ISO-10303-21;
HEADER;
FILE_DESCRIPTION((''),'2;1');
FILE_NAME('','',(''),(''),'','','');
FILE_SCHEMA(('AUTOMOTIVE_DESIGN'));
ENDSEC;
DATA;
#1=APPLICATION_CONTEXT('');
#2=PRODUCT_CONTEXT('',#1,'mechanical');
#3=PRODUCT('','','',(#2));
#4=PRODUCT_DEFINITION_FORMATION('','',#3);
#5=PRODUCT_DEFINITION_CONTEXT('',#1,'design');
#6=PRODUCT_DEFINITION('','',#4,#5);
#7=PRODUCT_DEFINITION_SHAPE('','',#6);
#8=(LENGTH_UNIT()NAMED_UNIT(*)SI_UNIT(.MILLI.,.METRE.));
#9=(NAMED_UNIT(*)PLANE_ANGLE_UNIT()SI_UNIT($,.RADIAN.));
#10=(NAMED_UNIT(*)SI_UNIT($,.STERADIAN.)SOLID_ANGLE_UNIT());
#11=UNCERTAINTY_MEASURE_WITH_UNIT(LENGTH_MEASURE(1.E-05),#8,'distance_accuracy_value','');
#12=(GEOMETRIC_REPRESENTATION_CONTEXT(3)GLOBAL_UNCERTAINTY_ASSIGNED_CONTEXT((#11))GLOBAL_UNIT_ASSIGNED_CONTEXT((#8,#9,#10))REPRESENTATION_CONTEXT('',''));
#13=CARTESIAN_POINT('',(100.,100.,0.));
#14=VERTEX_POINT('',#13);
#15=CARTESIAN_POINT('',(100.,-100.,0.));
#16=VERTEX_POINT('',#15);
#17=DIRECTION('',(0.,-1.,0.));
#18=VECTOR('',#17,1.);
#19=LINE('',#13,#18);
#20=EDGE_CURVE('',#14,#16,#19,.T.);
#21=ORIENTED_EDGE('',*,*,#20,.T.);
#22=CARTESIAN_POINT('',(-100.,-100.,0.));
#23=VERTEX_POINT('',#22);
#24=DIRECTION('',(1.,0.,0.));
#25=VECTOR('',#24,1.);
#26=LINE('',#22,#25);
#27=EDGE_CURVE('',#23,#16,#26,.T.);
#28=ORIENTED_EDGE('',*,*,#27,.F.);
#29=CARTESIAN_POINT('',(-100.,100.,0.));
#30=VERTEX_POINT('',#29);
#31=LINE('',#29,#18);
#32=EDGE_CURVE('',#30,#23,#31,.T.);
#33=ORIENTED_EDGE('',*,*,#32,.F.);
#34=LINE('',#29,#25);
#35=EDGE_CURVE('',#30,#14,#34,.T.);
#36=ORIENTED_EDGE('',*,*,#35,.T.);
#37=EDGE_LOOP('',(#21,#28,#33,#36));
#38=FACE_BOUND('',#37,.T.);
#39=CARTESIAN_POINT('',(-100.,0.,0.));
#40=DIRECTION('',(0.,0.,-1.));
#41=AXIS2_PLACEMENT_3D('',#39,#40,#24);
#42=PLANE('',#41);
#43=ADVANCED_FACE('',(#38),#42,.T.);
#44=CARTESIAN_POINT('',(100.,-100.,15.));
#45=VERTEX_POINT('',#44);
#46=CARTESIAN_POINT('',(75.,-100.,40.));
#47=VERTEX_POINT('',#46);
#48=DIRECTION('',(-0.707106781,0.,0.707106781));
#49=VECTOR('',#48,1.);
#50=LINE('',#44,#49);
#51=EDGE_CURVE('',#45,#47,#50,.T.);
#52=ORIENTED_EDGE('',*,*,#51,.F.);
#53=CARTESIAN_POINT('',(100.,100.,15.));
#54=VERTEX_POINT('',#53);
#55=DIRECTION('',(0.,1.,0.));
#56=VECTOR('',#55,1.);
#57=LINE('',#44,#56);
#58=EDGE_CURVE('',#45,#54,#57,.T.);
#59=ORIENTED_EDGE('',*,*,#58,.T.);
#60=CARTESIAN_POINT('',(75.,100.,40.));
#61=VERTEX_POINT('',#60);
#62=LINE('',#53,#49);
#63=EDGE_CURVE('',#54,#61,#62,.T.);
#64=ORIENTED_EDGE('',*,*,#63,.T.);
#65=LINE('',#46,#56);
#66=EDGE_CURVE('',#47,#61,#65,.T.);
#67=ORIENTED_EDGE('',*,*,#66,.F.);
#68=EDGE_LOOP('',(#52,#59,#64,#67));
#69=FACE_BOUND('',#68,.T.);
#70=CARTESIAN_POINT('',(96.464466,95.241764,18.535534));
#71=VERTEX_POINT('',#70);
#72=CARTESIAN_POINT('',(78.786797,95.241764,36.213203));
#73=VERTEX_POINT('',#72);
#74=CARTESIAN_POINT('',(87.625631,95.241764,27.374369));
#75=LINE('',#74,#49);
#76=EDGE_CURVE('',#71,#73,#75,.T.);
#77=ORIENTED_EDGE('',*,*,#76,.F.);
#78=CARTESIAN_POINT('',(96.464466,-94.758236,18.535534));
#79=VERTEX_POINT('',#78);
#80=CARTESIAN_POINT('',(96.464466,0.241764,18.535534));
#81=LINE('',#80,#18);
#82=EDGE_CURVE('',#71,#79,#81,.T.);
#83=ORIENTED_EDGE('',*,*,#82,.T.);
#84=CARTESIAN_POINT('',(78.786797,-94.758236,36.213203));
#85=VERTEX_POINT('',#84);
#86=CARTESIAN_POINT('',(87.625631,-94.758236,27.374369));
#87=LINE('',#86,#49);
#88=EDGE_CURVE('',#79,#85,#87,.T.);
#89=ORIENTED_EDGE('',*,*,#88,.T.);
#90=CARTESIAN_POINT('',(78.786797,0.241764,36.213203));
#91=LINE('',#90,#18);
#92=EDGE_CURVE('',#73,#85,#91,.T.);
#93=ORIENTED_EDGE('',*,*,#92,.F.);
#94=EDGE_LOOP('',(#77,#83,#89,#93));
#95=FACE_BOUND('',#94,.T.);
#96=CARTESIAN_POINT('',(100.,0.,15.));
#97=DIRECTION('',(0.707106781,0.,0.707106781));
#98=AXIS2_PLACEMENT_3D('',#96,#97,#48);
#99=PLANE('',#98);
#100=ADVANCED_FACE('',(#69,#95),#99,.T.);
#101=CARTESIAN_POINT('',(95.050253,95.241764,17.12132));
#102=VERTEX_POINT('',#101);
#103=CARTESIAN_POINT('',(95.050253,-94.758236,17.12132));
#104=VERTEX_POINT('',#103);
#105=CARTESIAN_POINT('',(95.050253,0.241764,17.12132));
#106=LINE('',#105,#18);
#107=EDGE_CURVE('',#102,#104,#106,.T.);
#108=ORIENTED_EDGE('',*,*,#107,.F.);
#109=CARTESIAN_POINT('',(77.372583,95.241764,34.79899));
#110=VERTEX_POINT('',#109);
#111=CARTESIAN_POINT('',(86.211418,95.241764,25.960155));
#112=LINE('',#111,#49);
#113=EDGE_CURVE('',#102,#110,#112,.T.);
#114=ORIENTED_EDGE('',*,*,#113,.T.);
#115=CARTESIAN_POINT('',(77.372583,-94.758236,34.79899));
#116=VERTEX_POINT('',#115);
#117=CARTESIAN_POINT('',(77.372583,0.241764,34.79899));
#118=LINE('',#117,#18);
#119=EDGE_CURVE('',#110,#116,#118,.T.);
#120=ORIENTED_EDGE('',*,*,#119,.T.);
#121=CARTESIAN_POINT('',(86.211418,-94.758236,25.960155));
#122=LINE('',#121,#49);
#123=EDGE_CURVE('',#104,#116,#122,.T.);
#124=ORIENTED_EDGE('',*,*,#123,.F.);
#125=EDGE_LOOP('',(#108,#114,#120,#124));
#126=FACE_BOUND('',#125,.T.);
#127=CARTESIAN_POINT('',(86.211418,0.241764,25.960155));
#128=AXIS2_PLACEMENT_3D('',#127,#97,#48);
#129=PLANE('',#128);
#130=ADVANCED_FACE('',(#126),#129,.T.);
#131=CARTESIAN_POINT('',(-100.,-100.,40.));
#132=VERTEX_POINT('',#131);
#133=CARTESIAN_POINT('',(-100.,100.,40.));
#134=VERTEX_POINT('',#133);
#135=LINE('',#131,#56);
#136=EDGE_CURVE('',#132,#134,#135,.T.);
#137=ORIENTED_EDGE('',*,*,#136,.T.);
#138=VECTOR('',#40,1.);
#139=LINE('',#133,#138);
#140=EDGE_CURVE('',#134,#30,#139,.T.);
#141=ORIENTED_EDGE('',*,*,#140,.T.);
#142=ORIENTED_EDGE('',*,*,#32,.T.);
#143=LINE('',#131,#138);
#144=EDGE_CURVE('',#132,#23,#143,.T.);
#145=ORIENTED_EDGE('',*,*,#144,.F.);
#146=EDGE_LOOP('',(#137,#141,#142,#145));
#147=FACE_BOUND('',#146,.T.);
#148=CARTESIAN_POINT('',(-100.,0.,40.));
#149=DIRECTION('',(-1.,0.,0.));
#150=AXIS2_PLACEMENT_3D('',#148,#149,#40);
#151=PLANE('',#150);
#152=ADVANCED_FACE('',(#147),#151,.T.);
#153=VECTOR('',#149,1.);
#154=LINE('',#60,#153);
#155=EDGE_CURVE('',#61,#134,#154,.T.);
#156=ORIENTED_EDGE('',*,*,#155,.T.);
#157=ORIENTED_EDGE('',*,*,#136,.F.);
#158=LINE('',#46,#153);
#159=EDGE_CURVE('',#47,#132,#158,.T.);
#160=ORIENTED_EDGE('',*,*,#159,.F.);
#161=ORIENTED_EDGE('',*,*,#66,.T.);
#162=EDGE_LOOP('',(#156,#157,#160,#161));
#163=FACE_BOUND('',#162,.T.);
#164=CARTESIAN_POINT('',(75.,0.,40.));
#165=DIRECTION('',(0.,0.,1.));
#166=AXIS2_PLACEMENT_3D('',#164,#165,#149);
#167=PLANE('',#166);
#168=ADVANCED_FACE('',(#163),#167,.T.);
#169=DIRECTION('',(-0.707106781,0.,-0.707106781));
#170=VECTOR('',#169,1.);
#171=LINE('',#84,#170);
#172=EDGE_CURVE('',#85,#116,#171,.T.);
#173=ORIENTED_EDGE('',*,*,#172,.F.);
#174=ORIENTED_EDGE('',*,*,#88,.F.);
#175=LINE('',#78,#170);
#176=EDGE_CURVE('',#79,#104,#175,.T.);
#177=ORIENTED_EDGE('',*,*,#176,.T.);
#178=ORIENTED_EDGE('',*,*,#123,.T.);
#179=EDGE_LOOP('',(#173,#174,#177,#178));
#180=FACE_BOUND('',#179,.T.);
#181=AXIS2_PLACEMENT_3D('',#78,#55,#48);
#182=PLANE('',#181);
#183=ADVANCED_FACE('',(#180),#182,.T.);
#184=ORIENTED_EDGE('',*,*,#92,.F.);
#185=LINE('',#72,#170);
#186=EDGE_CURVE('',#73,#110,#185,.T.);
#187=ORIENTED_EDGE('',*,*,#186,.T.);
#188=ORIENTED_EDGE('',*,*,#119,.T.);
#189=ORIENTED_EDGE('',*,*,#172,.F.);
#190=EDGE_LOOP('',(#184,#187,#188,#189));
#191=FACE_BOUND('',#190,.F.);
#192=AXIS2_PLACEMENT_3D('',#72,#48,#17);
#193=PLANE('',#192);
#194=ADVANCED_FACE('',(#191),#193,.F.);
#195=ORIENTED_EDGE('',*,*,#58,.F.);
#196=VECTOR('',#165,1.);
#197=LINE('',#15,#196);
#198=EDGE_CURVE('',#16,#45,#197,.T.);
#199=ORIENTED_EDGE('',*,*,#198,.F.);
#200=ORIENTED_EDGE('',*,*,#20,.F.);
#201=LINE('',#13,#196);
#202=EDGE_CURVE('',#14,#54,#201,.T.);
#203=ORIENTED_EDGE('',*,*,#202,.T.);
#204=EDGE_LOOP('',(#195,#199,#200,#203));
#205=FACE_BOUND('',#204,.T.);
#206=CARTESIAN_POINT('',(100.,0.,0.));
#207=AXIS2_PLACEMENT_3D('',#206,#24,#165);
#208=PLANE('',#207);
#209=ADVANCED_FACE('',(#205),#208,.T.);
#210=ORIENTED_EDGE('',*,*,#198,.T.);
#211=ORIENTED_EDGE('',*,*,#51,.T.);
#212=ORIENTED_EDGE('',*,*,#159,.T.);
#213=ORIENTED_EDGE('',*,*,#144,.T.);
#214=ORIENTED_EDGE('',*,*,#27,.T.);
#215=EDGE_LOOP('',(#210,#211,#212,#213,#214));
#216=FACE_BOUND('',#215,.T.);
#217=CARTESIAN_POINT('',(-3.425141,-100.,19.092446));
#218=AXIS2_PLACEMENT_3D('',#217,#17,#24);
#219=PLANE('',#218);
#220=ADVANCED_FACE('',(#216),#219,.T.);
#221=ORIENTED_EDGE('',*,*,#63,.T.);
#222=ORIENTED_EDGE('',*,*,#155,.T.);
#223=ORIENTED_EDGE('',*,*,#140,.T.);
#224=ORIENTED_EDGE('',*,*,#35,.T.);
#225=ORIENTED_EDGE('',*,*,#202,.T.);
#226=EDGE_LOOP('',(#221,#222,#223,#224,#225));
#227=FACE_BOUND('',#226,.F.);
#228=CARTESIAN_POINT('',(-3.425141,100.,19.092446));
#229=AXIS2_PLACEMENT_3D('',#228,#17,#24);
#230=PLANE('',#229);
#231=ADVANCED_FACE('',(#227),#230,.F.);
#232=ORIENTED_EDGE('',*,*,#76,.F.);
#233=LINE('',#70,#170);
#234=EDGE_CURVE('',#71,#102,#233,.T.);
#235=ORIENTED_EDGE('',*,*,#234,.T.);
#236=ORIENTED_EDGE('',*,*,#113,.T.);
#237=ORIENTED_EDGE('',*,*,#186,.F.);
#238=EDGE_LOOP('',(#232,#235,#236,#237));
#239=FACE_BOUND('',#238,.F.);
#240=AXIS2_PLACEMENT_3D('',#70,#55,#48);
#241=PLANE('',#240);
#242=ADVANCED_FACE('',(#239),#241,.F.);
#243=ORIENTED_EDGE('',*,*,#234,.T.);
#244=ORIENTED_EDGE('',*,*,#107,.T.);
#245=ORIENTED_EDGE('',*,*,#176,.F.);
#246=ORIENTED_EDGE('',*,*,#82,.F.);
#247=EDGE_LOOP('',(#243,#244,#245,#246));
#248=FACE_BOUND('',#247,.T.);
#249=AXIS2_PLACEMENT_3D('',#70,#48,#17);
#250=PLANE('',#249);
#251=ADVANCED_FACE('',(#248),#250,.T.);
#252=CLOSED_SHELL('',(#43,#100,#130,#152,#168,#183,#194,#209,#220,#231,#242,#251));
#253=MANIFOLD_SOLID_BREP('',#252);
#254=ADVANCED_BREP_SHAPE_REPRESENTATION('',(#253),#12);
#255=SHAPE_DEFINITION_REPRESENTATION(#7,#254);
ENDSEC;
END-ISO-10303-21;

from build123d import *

# Parameters (mm, degrees)
PAD_DEPTH    = 100
SKETCH001_W  = 25
SKETCH001_H  = 190
POCKET_DEPTH = 2


with BuildPart() as part:
    # Sketch → Pad (new body, symmetric)
    with BuildSketch(Plane.XZ):
        Polygon((-100, 40), (-100, 0), (100, 0), (100, 15), (75, 40), align=None)
    extrude(amount=PAD_DEPTH, both=True)

    # Sketch001 (on DatumPlane) → Pocket (cut)
    with BuildSketch(Plane(origin=(100, -100, 15), x_dir=(-0.707107, 0, 0.707107), z_dir=(0.707107, 0, 0.707107))):
        with Locations((17.5, -100.241764)):
            Rectangle(SKETCH001_W, SKETCH001_H)
    extrude(amount=-POCKET_DEPTH, mode=Mode.SUBTRACT)


solid = part.part
